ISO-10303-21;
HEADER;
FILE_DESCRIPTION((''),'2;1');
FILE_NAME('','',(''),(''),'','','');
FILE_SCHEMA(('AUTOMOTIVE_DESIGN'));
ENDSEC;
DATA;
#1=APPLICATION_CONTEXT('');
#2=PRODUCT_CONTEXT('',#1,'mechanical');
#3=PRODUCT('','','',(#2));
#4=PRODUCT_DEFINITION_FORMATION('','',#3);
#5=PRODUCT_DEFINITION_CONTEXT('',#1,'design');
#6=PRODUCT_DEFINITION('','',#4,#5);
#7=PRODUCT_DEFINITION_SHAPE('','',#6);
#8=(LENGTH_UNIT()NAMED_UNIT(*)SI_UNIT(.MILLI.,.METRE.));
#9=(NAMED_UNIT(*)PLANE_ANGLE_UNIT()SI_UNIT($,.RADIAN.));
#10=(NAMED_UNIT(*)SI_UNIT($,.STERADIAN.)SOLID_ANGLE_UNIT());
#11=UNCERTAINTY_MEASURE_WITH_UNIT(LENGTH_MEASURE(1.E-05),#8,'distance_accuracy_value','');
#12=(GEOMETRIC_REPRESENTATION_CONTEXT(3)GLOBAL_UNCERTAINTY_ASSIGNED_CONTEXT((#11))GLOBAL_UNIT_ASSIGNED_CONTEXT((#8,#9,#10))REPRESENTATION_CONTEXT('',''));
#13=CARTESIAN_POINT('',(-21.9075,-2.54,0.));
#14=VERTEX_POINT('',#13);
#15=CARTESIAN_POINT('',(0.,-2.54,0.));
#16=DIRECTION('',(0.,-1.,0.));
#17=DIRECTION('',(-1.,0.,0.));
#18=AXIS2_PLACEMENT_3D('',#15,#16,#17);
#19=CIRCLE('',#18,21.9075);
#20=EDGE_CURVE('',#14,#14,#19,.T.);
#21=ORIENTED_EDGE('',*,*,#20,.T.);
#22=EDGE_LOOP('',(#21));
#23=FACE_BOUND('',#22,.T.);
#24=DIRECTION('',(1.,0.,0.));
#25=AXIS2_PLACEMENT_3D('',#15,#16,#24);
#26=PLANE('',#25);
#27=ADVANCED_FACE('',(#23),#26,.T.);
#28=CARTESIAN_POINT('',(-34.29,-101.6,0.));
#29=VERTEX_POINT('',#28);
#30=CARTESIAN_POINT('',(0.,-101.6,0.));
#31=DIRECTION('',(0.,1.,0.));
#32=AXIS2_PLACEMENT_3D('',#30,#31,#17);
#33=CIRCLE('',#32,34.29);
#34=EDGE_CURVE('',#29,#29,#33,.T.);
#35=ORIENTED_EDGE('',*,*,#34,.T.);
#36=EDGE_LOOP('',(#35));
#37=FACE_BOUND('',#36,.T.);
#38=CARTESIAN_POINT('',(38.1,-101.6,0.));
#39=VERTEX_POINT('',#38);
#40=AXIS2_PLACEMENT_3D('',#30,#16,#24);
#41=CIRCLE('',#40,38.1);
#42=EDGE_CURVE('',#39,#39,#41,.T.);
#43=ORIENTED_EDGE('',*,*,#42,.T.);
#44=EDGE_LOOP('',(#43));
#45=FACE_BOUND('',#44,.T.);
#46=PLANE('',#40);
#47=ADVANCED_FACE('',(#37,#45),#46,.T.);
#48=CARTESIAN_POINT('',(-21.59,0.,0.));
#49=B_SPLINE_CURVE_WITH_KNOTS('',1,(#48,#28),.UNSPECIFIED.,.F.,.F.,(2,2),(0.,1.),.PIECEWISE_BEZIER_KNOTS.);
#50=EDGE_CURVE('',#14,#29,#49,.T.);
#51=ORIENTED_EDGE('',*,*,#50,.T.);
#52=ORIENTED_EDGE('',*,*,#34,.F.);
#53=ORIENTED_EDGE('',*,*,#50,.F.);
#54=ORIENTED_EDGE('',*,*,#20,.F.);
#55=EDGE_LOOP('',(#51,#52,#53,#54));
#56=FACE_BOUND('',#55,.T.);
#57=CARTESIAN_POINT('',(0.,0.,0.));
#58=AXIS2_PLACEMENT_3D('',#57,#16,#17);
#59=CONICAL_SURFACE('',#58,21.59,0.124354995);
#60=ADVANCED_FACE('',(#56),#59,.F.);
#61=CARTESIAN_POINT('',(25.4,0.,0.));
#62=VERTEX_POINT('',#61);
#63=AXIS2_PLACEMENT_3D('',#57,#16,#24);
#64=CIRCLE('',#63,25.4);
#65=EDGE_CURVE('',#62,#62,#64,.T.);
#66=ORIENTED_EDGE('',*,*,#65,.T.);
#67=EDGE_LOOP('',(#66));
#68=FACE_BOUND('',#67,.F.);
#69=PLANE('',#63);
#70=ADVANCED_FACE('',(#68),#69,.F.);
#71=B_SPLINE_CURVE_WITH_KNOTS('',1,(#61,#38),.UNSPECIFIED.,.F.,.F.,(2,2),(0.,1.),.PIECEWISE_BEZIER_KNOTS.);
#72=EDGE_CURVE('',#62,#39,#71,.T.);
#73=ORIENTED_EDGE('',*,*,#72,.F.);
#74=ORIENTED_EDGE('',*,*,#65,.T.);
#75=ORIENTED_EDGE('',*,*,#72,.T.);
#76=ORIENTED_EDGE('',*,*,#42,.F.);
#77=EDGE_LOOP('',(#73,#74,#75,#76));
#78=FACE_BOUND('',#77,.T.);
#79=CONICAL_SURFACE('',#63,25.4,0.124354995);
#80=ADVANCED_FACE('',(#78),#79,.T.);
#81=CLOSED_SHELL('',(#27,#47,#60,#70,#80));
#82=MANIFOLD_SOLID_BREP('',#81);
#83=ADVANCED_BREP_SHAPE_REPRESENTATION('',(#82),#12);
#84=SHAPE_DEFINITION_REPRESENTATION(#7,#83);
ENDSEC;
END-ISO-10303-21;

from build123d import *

# Parameters (mm, degrees)
F0_R     = 25.4
F2_R     = 38.1
F5_R     = 21.59
F4_R     = 34.29
F7_R     = 24.9738959908
F8_DEPTH = 2.54


with BuildPart() as f3:
    # F0 (on Front) → F3 section 0
    with BuildSketch(Plane.XZ):
        Circle(F0_R)
    # F2 (on offset) → F3 section 1
    with BuildSketch(Plane.XZ.offset(101.6)):
        Circle(F2_R)
    loft()

    # F5 (on face) → F6 section 0
    with BuildSketch(Plane(origin=(0, 0, 0), x_dir=(-1, 0, 0), z_dir=(0, 1, 0))):
        Circle(F5_R)
    # F4 (on face) → F6 section 1
    with BuildSketch(Plane.XZ.offset(101.6)):
        Circle(F4_R)
    loft(mode=Mode.SUBTRACT)

    # F7 (on Front) → F8 (join)
    with BuildSketch(Plane.XZ):
        Circle(F7_R)
    extrude(amount=F8_DEPTH)


solid = f3.part
